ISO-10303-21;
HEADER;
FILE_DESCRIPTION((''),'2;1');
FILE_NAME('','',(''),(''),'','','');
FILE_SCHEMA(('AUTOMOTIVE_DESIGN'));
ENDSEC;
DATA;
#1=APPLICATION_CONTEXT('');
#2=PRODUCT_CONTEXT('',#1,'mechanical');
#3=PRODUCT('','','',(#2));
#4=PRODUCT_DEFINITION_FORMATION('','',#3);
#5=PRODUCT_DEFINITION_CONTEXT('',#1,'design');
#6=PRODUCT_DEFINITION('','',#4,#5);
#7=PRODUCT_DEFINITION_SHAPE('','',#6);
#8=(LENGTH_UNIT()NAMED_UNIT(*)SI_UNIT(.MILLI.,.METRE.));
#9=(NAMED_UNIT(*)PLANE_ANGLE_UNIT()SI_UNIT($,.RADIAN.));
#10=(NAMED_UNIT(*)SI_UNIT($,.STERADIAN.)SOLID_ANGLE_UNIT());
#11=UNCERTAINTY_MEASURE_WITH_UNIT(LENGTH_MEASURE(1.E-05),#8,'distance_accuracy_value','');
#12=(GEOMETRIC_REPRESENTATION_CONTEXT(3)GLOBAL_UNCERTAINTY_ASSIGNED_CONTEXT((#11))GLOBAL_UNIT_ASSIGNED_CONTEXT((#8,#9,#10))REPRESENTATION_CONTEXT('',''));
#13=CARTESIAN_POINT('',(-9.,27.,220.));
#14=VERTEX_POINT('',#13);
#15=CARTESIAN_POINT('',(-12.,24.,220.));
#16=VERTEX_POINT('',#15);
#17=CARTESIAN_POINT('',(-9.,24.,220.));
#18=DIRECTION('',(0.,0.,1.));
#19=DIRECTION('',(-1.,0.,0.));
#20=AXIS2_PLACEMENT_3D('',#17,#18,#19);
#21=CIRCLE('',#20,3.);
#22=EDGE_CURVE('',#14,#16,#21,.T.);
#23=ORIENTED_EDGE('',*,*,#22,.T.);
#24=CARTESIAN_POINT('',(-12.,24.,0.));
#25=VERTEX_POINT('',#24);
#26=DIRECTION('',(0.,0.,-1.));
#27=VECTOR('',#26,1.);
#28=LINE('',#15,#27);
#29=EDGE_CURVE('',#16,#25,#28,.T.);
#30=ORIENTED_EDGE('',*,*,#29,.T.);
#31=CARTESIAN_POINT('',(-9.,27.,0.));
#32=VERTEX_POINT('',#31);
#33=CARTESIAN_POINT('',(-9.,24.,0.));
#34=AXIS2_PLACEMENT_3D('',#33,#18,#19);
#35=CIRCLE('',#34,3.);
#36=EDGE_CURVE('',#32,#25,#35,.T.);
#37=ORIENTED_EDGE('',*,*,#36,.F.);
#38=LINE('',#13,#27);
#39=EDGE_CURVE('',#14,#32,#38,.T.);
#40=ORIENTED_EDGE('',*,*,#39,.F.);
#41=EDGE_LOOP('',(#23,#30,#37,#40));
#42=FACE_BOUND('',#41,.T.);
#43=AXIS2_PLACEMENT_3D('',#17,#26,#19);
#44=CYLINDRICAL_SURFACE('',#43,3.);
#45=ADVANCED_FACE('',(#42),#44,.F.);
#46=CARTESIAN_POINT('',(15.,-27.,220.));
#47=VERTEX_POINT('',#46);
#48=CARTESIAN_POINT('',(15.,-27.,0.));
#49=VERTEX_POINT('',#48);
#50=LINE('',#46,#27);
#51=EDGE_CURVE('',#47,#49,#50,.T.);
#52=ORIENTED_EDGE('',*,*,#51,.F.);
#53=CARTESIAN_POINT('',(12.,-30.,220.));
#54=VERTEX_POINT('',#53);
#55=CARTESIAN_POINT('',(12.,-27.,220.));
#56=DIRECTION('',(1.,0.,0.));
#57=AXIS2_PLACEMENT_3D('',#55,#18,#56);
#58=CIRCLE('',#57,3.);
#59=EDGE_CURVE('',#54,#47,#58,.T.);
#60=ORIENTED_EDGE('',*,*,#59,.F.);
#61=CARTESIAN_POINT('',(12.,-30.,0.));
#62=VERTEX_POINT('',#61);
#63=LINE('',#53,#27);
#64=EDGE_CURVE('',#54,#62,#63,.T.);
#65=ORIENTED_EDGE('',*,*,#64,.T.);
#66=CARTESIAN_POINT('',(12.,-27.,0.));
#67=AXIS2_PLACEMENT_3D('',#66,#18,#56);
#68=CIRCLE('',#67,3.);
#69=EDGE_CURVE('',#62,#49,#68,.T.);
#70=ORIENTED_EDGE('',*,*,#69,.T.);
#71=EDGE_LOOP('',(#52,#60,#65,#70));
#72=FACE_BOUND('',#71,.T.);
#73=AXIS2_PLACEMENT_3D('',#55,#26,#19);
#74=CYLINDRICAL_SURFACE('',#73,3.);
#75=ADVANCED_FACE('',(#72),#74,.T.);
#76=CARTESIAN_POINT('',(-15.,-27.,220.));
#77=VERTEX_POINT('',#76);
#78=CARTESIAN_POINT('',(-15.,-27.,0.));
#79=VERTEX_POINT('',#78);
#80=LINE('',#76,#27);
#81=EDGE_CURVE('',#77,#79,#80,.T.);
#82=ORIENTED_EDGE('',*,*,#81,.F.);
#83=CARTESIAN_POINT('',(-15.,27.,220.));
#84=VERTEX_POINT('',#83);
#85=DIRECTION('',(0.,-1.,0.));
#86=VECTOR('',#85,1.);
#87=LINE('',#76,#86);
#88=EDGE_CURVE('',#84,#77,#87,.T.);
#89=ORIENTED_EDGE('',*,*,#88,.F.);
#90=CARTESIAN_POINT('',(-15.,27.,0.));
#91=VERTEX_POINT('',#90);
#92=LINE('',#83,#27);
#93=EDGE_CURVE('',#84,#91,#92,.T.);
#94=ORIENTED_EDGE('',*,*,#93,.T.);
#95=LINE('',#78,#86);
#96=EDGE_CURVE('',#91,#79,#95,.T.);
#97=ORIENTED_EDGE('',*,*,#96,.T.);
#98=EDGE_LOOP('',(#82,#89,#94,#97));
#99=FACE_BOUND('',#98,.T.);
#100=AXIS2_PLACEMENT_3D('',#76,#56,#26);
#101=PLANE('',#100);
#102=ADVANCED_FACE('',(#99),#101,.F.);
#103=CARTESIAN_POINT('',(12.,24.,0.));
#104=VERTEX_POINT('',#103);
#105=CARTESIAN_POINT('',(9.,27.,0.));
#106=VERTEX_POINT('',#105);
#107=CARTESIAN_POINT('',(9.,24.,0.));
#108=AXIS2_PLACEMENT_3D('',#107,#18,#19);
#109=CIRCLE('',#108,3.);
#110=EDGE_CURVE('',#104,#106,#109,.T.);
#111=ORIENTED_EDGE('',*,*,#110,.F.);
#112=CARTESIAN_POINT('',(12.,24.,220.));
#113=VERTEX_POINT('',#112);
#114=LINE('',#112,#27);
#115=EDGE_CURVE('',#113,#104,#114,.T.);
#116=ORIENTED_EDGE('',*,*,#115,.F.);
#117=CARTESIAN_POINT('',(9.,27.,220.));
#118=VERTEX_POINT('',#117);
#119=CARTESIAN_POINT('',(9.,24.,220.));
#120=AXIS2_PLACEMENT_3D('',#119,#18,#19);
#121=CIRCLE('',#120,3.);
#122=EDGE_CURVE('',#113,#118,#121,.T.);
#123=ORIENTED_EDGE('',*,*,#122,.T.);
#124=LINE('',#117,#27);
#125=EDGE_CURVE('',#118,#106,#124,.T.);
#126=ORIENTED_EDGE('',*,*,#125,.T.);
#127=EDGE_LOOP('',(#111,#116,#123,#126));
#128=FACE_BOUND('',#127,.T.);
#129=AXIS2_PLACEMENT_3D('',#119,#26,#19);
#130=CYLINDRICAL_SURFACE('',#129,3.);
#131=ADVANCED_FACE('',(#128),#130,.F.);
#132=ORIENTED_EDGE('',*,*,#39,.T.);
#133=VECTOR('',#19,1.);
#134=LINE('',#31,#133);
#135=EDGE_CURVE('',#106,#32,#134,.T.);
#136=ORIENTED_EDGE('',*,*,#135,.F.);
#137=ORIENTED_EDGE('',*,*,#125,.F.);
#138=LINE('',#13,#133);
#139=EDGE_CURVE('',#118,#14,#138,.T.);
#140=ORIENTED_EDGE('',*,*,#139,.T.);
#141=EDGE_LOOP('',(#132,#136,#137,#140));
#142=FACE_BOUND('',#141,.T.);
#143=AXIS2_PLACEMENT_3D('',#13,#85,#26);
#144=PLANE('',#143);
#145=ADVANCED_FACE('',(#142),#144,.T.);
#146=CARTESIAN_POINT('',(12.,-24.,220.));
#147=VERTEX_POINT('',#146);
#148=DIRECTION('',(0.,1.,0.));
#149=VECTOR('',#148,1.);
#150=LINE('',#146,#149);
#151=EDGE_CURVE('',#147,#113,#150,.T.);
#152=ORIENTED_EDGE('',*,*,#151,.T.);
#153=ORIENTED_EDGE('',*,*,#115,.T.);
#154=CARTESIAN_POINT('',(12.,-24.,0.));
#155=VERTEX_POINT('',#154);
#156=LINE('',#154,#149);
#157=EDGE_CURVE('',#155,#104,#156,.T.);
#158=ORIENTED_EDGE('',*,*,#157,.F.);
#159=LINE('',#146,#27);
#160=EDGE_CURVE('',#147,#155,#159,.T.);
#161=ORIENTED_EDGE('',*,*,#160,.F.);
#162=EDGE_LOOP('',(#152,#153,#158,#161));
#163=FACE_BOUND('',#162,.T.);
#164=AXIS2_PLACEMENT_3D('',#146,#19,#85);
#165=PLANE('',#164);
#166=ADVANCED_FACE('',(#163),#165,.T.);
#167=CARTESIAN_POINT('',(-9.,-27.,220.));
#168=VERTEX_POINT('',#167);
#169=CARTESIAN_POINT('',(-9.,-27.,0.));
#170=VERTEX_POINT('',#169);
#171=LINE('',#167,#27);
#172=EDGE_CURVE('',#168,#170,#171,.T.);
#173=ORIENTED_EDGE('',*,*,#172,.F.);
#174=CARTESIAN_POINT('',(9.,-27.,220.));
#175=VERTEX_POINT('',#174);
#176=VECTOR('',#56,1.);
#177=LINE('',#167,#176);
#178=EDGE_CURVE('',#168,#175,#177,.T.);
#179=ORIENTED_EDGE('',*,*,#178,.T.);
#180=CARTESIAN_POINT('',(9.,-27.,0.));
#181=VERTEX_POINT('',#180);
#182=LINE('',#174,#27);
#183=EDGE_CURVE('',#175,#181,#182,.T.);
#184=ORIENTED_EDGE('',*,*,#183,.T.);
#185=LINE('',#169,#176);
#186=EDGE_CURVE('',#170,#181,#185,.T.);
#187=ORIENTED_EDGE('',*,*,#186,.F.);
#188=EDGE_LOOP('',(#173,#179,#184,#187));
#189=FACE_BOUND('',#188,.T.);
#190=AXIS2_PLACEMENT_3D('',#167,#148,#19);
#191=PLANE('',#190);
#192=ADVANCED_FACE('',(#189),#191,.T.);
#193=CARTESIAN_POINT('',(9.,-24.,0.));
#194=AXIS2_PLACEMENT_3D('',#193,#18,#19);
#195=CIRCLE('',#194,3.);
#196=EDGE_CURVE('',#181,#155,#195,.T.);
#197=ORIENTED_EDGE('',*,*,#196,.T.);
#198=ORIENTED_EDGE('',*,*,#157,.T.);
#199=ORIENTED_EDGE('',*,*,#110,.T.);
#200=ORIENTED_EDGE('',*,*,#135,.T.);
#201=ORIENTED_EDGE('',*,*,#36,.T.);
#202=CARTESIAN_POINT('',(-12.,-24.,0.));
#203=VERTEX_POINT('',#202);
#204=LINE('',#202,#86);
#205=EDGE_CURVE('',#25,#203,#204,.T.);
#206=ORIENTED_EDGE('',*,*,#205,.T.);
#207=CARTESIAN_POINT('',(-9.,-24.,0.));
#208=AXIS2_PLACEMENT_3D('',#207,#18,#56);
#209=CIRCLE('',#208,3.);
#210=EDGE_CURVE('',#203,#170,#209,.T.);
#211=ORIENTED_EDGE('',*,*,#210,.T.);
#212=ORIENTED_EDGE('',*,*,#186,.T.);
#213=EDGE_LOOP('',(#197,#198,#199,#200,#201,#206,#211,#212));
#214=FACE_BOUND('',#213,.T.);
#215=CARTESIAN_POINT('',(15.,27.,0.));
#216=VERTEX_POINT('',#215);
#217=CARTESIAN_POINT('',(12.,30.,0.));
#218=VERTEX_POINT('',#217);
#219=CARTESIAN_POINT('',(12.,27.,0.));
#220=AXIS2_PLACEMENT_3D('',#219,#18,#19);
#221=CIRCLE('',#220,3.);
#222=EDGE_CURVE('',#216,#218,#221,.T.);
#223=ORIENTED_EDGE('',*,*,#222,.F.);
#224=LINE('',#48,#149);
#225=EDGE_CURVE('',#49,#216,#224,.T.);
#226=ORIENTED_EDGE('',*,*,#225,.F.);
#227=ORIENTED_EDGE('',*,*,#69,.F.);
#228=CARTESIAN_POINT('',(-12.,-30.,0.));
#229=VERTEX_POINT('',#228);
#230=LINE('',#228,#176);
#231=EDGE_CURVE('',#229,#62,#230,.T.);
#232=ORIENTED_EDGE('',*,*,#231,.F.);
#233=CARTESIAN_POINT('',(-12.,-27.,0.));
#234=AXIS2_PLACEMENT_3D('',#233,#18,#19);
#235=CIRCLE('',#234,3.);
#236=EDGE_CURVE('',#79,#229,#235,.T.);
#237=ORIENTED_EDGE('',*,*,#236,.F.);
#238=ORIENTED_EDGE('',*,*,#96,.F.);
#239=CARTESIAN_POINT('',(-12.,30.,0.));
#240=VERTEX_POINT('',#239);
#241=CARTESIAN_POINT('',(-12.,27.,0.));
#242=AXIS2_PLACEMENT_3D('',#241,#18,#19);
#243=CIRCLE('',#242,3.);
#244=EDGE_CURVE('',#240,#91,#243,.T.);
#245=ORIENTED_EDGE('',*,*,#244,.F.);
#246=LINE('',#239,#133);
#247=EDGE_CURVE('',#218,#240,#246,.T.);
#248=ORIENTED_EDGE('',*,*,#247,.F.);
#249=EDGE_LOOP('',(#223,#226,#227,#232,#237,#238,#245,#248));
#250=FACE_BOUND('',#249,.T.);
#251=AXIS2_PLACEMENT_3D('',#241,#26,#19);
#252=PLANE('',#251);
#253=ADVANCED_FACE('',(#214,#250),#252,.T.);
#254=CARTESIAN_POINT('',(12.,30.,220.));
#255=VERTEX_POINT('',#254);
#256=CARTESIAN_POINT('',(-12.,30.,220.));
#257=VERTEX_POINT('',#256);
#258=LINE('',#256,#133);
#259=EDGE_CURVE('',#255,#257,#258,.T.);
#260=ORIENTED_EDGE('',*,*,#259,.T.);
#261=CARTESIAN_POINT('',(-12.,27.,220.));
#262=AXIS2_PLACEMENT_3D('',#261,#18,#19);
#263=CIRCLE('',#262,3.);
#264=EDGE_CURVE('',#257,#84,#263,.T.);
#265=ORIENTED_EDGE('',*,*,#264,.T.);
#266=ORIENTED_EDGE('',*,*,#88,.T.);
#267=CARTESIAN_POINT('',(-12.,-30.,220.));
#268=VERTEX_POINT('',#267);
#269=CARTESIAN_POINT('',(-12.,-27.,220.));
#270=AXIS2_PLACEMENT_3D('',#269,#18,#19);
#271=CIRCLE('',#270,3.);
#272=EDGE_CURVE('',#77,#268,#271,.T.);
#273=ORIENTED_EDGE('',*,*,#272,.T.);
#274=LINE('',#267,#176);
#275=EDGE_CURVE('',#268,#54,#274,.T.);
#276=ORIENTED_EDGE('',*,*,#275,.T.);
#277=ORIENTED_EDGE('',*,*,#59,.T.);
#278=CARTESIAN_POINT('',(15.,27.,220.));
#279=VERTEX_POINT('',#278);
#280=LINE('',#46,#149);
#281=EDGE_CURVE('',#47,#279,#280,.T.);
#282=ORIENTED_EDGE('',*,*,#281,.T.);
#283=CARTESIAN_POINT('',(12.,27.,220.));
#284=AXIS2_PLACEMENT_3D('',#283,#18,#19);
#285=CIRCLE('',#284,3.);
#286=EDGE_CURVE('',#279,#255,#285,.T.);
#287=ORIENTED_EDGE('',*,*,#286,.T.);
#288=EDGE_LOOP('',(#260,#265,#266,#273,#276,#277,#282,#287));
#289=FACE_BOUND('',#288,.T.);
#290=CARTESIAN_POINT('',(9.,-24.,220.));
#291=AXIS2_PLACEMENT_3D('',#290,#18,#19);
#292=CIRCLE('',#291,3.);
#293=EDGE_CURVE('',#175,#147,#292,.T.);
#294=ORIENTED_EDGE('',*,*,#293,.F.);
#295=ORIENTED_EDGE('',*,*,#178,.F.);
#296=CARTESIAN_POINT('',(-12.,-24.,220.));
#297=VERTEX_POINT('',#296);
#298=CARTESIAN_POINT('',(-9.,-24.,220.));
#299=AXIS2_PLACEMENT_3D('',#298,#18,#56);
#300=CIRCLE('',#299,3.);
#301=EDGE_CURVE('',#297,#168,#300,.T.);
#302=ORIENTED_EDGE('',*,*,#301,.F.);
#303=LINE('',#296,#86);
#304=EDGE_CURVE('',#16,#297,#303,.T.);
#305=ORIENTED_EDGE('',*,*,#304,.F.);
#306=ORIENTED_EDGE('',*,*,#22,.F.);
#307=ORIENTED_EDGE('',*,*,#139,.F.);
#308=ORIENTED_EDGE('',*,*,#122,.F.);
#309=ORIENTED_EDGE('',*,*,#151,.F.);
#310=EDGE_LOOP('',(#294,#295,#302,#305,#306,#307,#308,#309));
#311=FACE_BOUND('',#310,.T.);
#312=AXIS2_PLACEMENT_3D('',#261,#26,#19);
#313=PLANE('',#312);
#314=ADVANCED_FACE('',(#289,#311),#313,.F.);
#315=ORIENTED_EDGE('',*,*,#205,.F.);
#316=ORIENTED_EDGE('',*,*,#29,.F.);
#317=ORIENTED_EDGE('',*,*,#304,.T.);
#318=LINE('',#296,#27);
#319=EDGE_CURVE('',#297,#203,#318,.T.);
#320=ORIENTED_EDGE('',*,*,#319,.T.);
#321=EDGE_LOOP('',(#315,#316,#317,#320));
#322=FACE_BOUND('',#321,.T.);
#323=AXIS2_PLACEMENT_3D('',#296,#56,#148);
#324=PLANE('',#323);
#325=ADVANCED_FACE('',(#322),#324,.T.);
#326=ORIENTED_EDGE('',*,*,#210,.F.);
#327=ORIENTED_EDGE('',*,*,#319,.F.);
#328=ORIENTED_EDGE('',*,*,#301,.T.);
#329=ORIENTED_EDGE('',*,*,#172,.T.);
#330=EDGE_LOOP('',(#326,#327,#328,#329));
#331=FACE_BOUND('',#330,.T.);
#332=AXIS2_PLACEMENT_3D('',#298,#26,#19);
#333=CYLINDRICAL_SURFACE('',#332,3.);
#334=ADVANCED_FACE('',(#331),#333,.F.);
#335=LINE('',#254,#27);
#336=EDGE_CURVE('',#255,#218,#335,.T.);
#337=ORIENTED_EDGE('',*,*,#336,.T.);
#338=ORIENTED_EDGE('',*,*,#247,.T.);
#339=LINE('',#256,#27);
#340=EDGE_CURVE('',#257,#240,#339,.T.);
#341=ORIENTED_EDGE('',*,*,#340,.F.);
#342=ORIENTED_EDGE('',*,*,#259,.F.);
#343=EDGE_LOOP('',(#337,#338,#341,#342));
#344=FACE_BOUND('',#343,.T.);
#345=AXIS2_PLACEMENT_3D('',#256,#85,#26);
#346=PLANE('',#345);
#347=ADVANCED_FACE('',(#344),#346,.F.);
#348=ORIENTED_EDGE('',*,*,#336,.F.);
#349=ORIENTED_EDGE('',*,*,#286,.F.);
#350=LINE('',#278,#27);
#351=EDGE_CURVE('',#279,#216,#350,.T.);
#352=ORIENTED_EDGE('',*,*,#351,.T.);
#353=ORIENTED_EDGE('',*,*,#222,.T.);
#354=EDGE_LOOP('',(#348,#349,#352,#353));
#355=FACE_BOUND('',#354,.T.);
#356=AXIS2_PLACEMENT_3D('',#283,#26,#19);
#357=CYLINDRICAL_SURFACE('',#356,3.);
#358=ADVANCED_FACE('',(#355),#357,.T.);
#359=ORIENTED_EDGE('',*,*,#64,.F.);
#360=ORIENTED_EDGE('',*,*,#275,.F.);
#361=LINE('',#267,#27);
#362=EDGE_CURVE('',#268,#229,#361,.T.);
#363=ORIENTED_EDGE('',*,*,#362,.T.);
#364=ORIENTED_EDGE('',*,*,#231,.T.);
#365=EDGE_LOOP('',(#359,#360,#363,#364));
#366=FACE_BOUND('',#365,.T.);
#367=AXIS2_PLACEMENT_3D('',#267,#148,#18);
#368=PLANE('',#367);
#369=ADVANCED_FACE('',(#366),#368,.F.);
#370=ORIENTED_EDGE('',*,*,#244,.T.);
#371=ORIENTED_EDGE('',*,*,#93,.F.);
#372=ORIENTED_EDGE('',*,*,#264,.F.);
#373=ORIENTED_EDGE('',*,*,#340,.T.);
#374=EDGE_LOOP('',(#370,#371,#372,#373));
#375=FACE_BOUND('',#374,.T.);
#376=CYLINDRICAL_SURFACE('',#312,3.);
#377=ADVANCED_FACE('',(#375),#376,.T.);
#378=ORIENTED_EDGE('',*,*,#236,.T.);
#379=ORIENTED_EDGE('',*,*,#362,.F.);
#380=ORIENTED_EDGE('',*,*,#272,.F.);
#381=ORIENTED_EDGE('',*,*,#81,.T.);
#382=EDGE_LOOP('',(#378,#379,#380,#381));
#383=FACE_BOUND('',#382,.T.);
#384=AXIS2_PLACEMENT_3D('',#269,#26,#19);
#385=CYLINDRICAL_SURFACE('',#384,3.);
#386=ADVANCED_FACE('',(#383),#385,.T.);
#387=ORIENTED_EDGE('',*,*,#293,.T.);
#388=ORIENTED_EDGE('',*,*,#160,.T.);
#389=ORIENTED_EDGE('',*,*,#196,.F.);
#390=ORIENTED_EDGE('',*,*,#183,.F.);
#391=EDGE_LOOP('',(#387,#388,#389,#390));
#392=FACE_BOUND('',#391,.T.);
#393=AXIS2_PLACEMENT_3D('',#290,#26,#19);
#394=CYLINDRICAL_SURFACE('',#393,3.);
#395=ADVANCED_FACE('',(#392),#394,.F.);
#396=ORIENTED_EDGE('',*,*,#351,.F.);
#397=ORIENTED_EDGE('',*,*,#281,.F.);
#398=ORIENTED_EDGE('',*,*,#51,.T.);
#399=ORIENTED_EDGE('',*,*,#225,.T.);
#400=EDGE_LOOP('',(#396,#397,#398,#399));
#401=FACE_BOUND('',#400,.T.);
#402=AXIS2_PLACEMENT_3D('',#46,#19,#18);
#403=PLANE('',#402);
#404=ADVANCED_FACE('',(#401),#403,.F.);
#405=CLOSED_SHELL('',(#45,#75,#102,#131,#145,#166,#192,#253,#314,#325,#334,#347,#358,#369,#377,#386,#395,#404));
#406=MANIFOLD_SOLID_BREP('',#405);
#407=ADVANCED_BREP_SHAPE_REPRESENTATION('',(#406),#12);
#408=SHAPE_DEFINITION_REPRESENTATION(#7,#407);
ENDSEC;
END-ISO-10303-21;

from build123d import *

# Parameters (mm, degrees)
DODANIE_WYCI_GNI_CIE1_DEPTH = 220


with BuildPart() as part:
    # Szkic1 → Dodanie-wyciągnięcie1 (new body)
    with BuildSketch(Plane.XY):
        with BuildLine():
            Line((-12, -30), (12, -30))
            ThreePointArc((12, -30), (14.121320344, -29.121320344), (15, -27))
            Line((15, -27), (15, 27))
            ThreePointArc((15, 27), (14.121320344, 29.121320344), (12, 30))
            Line((12, 30), (-12, 30))
            ThreePointArc((-12, 30), (-14.121320344, 29.121320344), (-15, 27))
            Line((-15, 27), (-15, -27))
            ThreePointArc((-15, -27), (-14.121320344, -29.121320344), (-12, -30))
        make_face()
        with BuildLine():
            Line((-9, 27), (9, 27))
            ThreePointArc((9, 27), (11.121320344, 26.121320344), (12, 24))
            Line((12, 24), (12, -24))
            ThreePointArc((12, -24), (11.121320344, -26.121320344), (9, -27))
            Line((9, -27), (-9, -27))
            ThreePointArc((-9, -27), (-11.121320344, -26.121320344), (-12, -24))
            Line((-12, -24), (-12, 24))
            ThreePointArc((-12, 24), (-11.121320344, 26.121320344), (-9, 27))
        make_face(mode=Mode.SUBTRACT)
    extrude(amount=DODANIE_WYCI_GNI_CIE1_DEPTH)


solid = part.part
